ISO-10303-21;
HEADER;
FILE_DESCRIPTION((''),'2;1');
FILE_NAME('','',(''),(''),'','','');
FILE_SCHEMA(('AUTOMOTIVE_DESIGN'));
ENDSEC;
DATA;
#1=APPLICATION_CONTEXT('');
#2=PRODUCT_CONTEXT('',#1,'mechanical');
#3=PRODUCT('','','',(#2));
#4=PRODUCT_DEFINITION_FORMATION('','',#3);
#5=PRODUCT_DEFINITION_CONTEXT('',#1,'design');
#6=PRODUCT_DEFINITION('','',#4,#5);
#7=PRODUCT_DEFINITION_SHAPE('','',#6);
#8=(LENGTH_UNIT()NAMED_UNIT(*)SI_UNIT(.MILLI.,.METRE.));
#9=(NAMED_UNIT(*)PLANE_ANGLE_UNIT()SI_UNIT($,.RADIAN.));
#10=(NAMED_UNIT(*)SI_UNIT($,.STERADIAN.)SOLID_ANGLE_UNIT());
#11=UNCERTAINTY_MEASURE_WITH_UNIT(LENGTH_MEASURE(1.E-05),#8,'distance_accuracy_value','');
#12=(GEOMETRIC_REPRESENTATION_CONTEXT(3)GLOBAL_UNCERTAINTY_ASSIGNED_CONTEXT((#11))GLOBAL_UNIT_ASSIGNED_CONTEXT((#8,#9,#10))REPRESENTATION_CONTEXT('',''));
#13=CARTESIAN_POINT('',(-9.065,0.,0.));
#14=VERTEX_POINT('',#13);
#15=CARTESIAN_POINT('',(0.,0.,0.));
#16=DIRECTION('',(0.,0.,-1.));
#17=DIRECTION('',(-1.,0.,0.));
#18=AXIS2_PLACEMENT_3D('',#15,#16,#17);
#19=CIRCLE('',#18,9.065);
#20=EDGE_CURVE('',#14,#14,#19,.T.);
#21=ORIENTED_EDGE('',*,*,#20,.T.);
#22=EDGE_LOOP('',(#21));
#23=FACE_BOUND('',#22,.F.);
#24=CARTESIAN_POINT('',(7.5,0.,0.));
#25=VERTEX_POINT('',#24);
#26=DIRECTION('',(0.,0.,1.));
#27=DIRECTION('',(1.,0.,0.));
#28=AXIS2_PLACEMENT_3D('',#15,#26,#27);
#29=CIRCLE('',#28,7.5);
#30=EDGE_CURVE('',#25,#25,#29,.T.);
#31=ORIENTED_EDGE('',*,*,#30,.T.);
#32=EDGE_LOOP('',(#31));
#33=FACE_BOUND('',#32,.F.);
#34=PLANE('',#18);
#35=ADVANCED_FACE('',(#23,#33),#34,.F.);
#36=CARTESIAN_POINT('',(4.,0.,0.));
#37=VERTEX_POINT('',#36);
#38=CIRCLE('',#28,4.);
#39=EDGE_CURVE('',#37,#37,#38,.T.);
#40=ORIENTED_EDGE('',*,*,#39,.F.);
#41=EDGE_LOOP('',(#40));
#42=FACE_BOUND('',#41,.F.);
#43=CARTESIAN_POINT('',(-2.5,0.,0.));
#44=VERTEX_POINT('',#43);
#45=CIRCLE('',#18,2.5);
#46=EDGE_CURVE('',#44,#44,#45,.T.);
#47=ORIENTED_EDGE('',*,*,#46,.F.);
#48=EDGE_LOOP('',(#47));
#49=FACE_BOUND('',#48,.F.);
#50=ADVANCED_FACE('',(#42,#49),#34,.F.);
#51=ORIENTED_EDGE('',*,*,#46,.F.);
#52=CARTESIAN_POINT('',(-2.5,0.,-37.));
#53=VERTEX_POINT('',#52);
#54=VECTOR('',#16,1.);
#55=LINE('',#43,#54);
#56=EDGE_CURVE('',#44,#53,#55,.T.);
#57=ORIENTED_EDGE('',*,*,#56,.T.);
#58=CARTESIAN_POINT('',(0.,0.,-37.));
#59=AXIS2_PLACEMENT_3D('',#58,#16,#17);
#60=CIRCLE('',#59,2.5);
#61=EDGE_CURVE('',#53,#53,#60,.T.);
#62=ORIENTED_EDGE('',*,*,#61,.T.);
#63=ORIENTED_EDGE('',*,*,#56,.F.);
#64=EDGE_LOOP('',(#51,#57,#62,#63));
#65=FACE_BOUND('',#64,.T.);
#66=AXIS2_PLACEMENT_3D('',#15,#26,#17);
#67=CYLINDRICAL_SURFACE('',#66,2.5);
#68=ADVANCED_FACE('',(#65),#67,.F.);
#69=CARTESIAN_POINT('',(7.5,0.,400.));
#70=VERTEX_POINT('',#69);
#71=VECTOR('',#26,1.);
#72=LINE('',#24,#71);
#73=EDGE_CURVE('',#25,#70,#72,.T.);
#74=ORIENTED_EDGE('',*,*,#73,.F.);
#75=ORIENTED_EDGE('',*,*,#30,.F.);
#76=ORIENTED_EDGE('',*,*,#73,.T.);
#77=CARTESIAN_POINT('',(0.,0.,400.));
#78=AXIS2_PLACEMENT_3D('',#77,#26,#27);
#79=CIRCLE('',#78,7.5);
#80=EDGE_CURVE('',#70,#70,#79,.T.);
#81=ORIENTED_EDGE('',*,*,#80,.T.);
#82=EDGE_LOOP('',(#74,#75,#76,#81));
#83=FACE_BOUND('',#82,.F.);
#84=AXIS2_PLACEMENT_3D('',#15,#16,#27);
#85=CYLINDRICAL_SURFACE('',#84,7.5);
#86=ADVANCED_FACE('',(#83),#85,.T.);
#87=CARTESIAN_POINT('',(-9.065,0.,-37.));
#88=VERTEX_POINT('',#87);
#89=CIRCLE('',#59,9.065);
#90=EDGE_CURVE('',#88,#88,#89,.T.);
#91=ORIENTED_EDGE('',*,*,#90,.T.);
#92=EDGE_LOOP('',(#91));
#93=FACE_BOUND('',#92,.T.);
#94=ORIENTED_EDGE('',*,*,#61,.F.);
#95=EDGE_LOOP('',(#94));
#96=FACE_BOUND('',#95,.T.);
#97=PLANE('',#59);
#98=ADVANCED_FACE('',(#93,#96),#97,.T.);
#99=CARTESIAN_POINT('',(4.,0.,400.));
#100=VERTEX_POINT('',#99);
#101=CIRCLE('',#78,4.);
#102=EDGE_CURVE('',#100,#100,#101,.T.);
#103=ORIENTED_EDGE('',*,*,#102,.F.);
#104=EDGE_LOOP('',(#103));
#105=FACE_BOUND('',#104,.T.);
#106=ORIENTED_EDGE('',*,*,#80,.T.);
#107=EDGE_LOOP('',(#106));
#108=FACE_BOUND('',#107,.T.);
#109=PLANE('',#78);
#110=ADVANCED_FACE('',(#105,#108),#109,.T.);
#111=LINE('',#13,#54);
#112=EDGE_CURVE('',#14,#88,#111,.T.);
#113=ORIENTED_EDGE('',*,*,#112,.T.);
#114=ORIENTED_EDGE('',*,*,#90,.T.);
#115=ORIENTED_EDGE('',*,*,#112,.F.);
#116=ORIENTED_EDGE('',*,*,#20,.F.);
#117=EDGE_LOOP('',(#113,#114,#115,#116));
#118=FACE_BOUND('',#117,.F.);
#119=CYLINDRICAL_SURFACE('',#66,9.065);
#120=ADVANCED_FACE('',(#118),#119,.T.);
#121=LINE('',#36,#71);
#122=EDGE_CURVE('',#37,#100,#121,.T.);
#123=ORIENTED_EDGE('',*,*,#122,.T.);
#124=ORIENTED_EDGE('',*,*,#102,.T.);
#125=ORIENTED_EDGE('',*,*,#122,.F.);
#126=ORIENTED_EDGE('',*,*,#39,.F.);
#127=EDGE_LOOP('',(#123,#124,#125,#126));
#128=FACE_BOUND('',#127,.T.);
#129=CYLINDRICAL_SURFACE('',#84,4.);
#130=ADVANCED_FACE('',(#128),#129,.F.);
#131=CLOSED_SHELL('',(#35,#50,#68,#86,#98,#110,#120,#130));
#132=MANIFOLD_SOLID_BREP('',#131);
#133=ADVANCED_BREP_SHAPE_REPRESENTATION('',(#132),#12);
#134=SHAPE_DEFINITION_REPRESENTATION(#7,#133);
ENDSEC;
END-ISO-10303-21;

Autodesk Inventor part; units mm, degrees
ref_plane "YZ Plane" through (0, 0, 0) normal (1, 0, 0) x (0, 1, 0)
ref_plane "XZ Plane" through (0, 0, 0) normal (0, 1, 0) x (-1, 0, 0)
ref_plane "XY Plane" through (0, 0, 0) normal (0, 0, 1) x (1, 0, 0)
sketch "Skizze1" plane through (0, 0, 0) normal (0, 0, 1) x (1, 0, 0)
  circle A0 centre (0, 0) radius 4
  circle A1 centre (0, 0) radius 7.5
  dimension "d0" = 8
  dimension "d1" = 15
extrude "Extrusion1" add sketch "Skizze1" along normal blind 400
sketch "Skizze2" plane through (0, 0, 0) normal (0, 0, -1) x (-1, 0, 0)
  circle A0 centre (0, 0) radius 7.5 projected
  circle A1 centre (0, 0) radius 2.5
  circle A2 centre (0, 0) radius 6
  circle A3 centre (0, 0) radius 9.065
  dimension "d4" = 5
  dimension "d5" = 12
extrude "Extrusion2" add sketch "Skizze2" along normal blind 37 contours A0 | A2 | A3
properties part number "resonator"
